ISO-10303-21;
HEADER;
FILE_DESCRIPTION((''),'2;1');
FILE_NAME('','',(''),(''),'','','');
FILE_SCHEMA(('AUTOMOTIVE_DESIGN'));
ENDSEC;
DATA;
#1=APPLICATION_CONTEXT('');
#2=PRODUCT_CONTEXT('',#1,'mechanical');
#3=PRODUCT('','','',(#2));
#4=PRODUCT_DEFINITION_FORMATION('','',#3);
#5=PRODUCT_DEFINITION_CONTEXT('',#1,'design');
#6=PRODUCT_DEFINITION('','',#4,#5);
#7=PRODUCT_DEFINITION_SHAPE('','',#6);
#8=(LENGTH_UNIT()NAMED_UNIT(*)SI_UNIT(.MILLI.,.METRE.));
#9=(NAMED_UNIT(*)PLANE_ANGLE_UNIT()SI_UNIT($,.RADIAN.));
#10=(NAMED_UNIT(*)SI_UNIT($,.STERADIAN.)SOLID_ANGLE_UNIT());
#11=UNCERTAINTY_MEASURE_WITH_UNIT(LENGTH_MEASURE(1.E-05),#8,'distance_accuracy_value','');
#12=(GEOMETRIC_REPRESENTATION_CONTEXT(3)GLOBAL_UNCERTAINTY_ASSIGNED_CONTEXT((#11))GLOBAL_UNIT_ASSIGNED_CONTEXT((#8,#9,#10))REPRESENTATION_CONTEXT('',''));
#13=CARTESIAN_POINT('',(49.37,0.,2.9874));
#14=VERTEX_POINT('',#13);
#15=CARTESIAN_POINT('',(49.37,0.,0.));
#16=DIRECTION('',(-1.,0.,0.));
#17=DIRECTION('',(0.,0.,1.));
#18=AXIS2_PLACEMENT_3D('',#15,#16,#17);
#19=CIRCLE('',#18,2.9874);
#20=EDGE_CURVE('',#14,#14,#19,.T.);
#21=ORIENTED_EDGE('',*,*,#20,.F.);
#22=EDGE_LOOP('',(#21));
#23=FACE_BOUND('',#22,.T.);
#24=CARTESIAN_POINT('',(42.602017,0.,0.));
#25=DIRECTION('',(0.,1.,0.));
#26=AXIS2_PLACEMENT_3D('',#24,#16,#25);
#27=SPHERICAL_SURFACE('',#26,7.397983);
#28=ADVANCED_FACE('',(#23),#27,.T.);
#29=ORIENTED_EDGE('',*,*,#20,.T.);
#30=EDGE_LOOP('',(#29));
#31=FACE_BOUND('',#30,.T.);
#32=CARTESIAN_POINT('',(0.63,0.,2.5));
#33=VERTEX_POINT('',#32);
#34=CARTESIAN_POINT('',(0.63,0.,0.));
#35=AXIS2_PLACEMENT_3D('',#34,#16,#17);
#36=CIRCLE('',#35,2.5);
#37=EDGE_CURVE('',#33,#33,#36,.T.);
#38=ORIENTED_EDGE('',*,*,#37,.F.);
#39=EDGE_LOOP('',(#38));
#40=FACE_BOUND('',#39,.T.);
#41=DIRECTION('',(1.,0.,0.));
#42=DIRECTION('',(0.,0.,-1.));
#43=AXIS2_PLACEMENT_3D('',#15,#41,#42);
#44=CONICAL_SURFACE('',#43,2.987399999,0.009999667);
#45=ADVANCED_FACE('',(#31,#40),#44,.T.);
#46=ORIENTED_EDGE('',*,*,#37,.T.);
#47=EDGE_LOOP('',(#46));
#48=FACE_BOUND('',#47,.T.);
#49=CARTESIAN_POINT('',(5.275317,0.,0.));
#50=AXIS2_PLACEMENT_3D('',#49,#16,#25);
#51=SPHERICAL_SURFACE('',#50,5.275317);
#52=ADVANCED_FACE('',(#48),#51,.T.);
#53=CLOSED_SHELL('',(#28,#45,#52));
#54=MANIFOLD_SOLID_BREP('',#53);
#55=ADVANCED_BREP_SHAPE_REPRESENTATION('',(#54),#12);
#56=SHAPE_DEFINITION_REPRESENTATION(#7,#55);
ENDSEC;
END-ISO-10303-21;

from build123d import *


with BuildPart() as part:
    # Sketch1 → Base-Revolve (revolve)
    with BuildSketch(Plane.XY):
        with BuildLine():
            Line((0.63, 2.5), (49.37, 2.987399999))
            ThreePointArc((49.37, 2.987399999), (49.840786773, 1.526553205), (50, 0))
            Line((50, 0), (0, 0))
            ThreePointArc((0, 0), (0.159924093, 1.289079129), (0.63, 2.5))
        make_face()
    revolve(axis=Axis((0, 0, 0), (1, 0, 0)))


solid = part.part
